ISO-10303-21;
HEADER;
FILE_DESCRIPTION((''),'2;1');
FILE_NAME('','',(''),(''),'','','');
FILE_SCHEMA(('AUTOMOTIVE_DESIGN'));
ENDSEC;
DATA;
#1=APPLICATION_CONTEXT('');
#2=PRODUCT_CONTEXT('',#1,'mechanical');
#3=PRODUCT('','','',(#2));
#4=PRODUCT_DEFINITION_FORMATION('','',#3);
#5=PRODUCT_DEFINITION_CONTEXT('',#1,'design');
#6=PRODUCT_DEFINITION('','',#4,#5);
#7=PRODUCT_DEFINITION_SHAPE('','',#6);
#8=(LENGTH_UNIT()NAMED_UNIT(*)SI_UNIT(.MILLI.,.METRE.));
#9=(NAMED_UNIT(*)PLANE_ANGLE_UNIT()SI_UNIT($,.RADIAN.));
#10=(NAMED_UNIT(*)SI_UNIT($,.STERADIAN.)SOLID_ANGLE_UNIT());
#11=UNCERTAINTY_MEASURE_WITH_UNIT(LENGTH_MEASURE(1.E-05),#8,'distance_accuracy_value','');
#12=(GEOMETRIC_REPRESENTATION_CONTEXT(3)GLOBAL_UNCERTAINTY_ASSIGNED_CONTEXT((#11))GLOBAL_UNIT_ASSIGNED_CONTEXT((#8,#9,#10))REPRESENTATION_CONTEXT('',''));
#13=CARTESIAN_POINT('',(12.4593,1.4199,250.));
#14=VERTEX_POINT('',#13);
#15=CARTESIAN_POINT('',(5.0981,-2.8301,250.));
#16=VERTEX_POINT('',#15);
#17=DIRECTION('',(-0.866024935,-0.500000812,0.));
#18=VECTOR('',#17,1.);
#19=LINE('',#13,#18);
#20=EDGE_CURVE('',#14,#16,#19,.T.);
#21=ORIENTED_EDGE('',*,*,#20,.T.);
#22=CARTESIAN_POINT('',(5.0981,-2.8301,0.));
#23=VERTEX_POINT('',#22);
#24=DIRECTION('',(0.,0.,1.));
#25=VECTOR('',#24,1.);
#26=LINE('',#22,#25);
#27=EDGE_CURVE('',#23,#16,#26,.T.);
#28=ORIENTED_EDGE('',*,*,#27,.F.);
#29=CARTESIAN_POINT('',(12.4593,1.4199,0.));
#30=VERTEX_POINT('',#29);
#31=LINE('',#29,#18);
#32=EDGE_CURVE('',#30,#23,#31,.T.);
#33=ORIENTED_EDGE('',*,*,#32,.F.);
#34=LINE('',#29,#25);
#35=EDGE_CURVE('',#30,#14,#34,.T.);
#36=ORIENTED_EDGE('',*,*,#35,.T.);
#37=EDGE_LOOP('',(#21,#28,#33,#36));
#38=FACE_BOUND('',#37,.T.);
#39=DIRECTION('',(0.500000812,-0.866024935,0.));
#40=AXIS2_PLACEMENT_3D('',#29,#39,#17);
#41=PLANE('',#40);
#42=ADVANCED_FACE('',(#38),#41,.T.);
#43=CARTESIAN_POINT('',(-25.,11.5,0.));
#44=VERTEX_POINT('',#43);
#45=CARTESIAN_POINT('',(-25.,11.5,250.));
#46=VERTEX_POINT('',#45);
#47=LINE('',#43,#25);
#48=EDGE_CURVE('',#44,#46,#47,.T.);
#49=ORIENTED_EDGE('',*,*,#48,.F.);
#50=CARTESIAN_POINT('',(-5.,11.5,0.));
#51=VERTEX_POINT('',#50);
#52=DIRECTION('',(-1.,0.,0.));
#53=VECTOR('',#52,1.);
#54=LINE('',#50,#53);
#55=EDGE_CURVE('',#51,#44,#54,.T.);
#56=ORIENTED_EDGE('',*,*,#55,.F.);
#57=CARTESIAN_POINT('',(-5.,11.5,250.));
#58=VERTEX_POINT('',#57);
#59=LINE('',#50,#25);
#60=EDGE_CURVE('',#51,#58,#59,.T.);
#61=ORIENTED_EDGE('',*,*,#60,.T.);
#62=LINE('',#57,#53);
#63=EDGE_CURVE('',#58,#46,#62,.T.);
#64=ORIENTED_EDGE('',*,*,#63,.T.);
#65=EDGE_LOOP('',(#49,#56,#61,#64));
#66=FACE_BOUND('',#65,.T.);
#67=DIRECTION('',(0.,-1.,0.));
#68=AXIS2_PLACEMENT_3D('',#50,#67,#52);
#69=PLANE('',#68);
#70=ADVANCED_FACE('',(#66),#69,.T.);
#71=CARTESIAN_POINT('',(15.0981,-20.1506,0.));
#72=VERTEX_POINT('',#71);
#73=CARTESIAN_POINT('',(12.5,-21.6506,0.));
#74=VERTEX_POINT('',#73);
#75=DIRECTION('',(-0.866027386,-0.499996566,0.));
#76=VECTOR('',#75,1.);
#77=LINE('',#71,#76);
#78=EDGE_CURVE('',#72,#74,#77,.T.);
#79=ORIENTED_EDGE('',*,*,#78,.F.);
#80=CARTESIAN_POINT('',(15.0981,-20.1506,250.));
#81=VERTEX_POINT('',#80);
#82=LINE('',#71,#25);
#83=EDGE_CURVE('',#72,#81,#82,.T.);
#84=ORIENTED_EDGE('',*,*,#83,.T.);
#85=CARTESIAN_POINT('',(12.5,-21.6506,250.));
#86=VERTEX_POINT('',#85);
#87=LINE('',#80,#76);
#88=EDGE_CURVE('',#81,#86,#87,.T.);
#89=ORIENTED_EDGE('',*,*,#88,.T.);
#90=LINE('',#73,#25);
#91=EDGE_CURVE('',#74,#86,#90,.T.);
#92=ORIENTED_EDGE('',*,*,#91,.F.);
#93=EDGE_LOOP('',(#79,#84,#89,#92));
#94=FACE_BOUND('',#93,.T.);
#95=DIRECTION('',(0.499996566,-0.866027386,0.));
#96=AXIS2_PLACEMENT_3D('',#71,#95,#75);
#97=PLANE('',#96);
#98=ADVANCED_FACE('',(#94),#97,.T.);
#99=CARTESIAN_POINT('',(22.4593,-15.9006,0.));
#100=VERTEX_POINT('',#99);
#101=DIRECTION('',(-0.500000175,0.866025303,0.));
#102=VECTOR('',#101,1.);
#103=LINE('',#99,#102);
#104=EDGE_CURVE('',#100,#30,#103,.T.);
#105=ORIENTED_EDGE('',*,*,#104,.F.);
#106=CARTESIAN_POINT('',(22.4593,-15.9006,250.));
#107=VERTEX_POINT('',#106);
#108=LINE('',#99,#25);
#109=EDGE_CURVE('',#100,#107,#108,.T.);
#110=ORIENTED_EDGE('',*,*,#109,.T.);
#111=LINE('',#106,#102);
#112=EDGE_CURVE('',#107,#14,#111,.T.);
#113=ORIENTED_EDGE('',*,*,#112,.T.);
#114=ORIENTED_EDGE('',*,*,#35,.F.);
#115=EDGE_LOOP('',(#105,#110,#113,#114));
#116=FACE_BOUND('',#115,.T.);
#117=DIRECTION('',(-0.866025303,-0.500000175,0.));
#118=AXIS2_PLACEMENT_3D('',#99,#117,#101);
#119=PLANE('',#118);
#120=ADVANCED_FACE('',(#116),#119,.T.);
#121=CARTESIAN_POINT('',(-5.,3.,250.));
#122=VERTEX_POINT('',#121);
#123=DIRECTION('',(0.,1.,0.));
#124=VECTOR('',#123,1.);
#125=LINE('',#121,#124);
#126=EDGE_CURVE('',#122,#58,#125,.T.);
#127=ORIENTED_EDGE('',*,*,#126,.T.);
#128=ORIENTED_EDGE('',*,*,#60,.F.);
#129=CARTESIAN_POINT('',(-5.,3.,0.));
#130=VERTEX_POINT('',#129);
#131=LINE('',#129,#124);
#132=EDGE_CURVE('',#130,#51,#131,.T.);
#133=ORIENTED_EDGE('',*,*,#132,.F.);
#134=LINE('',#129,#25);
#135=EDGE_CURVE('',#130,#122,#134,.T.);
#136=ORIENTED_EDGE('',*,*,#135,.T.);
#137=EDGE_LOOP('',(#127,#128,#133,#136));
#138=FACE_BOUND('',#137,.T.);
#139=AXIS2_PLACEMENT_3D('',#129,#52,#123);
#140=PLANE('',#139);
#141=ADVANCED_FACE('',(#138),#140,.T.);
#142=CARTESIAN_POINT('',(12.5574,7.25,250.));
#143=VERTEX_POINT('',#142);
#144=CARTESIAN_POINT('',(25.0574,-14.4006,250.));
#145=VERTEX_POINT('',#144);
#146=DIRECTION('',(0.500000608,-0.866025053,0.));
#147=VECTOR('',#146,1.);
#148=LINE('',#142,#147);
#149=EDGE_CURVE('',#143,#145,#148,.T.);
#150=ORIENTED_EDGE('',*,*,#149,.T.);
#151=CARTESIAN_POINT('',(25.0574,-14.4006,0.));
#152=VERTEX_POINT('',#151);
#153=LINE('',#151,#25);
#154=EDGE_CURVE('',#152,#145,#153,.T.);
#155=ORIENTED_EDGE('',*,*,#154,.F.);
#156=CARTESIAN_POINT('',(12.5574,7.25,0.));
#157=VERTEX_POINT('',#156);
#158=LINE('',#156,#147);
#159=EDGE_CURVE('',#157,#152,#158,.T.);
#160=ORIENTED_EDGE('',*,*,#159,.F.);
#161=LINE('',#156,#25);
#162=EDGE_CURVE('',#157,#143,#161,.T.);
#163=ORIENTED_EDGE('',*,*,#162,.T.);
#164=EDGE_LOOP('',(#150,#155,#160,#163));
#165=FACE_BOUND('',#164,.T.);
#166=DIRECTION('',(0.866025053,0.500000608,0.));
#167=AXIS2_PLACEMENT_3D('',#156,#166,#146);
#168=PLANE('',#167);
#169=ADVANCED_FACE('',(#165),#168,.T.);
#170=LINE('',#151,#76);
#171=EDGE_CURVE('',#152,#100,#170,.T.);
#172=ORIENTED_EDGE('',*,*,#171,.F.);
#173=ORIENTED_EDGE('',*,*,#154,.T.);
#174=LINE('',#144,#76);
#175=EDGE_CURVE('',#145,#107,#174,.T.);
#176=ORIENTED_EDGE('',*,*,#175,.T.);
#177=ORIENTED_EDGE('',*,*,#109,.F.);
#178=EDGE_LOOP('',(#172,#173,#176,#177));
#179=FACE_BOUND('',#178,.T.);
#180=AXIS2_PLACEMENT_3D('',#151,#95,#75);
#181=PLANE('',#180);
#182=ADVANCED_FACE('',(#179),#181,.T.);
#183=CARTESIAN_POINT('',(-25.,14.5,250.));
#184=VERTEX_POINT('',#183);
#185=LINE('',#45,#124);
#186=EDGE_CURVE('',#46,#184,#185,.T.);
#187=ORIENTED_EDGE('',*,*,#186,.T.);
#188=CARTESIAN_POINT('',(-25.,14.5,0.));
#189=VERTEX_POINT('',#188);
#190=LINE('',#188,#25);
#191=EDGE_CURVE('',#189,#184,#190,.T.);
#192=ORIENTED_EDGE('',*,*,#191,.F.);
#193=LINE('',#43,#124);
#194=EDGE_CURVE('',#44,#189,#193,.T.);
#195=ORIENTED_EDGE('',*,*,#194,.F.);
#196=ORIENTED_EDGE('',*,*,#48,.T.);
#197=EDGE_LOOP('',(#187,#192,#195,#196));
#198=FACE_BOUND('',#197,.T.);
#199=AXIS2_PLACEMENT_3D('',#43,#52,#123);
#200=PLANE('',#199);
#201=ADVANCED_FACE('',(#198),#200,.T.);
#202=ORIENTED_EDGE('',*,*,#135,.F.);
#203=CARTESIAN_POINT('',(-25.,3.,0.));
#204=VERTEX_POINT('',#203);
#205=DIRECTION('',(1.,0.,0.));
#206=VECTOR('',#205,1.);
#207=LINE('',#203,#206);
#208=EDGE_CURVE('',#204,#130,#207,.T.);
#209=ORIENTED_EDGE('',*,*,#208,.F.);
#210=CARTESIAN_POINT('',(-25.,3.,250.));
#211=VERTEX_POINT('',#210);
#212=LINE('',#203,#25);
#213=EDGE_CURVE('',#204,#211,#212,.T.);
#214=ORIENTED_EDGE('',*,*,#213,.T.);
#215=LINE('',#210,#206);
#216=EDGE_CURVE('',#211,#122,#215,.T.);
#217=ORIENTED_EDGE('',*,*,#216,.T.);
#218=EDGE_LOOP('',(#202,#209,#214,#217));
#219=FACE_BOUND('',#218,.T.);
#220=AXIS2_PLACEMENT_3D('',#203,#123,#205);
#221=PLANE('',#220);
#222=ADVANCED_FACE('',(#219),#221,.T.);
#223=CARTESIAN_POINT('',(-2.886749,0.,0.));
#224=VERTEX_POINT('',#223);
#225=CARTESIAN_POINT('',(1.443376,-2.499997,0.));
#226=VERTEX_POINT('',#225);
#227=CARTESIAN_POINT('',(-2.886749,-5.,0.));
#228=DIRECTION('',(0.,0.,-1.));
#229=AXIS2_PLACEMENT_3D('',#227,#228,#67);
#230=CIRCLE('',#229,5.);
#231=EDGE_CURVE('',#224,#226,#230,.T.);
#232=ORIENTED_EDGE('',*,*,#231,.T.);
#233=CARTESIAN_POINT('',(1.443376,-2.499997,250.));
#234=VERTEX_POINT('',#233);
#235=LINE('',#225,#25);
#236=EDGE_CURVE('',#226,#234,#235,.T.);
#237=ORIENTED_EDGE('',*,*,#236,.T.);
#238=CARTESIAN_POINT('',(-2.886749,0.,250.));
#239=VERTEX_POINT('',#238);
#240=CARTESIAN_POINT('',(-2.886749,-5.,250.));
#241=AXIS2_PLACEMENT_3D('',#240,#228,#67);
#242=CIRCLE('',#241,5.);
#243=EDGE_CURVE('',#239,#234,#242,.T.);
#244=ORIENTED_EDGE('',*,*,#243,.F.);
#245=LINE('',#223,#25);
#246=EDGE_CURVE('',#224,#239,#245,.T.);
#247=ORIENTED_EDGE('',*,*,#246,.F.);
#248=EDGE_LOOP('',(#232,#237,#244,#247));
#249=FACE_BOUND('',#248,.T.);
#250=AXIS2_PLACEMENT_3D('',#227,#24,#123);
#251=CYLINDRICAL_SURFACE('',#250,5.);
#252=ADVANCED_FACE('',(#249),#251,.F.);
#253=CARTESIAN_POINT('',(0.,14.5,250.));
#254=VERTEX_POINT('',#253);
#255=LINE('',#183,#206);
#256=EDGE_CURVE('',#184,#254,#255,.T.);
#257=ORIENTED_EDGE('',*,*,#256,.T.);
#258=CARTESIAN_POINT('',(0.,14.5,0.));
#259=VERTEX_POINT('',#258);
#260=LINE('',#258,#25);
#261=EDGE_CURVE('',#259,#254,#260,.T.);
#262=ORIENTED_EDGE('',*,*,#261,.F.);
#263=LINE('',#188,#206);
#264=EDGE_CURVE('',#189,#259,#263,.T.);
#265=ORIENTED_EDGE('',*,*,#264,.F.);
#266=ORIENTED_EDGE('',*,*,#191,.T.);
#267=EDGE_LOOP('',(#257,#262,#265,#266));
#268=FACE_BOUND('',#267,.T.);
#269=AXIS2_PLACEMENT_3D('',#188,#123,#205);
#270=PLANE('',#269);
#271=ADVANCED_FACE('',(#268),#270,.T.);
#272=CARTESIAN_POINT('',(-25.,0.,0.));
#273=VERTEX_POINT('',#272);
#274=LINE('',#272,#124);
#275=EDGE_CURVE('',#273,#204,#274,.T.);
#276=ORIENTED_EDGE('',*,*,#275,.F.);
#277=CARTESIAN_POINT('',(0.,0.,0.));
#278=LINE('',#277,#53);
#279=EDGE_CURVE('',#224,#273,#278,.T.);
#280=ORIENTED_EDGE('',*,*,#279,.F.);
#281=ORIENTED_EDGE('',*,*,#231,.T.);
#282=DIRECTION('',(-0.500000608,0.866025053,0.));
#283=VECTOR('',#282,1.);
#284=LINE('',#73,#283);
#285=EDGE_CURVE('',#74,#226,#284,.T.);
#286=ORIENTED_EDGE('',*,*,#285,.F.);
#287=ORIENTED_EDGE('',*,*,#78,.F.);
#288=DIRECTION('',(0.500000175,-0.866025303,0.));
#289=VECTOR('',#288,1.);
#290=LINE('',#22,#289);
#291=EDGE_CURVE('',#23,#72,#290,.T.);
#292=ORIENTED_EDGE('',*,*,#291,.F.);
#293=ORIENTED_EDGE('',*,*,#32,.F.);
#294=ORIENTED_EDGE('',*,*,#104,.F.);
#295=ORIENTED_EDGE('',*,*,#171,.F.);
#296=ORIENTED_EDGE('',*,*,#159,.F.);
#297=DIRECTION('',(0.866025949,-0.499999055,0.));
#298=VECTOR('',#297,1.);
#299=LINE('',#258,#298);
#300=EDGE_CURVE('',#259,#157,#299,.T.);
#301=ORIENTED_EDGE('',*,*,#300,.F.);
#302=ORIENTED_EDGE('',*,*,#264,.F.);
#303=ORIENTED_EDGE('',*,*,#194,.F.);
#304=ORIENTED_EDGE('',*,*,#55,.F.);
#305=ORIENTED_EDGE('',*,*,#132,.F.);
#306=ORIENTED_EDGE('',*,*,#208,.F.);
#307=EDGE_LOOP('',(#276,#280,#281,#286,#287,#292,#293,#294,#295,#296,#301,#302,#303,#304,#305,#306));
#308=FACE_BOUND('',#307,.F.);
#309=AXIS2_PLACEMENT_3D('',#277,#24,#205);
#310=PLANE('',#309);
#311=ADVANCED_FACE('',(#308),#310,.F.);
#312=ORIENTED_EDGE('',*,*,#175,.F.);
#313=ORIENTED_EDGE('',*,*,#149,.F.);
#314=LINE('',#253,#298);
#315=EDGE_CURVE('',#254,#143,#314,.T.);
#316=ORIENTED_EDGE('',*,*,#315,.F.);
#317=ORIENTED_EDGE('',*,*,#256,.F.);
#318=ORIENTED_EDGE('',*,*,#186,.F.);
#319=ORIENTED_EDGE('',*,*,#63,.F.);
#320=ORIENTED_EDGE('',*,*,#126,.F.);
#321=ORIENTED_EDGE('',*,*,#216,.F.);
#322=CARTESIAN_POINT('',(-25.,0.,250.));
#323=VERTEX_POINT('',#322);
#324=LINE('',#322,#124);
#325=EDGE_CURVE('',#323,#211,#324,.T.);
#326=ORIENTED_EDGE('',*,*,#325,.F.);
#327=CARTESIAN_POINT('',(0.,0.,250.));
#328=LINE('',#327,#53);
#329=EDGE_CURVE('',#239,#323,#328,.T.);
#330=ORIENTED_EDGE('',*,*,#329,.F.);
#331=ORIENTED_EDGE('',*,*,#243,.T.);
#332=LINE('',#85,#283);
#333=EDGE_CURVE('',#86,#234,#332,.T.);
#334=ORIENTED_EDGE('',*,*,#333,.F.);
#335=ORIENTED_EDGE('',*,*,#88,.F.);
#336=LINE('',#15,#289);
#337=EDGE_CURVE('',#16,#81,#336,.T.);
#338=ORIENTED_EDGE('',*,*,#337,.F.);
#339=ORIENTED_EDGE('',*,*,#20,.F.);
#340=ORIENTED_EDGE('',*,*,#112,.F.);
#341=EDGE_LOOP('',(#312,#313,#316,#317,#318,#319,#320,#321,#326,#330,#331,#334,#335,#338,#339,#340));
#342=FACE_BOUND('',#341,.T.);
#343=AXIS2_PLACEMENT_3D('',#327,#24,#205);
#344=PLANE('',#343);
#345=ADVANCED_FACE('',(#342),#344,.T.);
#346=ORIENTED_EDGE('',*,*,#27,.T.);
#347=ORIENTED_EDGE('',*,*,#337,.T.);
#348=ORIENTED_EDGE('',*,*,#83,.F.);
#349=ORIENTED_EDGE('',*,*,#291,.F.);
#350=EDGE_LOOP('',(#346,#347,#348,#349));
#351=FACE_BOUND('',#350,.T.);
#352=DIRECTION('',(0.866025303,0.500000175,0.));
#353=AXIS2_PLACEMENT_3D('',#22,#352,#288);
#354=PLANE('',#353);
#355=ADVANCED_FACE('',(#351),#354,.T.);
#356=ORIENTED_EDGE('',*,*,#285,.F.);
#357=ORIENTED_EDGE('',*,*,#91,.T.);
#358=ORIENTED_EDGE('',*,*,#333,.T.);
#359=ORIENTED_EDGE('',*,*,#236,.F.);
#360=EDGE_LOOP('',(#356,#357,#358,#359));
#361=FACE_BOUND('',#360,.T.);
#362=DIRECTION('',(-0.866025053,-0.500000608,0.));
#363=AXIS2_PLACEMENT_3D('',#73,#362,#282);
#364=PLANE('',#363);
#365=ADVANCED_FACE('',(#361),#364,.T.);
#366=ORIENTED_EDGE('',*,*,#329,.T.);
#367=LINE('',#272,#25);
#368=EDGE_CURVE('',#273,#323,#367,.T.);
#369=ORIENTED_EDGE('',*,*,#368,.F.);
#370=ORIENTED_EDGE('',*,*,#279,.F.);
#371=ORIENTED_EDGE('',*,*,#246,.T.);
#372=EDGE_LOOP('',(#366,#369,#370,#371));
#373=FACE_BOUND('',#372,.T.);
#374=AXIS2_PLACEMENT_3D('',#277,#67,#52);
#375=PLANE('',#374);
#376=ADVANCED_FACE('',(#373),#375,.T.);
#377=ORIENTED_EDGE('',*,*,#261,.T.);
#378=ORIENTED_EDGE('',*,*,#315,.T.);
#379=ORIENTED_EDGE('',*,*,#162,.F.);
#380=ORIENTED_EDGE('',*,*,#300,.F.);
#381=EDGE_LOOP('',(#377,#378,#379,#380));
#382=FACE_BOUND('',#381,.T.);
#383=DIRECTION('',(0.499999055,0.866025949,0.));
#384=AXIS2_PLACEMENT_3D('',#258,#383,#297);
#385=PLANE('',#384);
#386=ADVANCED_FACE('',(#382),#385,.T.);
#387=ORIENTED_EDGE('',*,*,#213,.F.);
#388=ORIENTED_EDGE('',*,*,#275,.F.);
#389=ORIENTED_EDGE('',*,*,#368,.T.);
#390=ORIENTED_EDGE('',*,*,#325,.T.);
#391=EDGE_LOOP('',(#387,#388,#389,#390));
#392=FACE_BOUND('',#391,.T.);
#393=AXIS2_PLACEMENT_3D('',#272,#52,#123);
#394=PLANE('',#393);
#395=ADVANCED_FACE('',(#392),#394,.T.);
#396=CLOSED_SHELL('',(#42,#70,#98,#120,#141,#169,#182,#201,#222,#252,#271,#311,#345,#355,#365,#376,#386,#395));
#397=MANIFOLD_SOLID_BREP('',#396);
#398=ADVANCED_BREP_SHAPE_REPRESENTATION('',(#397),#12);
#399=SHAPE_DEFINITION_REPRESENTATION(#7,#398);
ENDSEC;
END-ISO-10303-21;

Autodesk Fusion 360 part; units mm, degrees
sketch "Schizzo1" plane through (0, 0, 0) normal (0, 0, 1) x (1, 0, 0)
  line L0 (0, 0) -> (-25, 0)
  line L1 (-25, 0) -> (-25, 3)
  line L2 (-25, 3) -> (-5, 3)
  line L3 (-5, 3) -> (-5, 11.5)
  line L4 (-5, 11.5) -> (-25, 11.5)
  line L5 (-25, 11.5) -> (-25, 14.5)
  line L6 (-25, 14.5) -> (0, 14.5)
  line L7 (0, 14.5) -> (0, 0)
  line L8 (12.5574, 7.25) -> (25.0574, -14.4006)
  line L9 (12.4593, 1.4199) -> (5.0981, -2.8301)
  line L10 (0, 0) -> (12.5574, 7.25)
  line L11 (12.5, -21.6506) -> (0, 0)
  line L12 (5.0981, -2.8301) -> (15.0981, -20.1506)
  line L13 (25.0574, -14.4006) -> (22.4593, -15.9006)
  line L14 (15.0981, -20.1506) -> (12.5, -21.6506)
  line L15 (22.4593, -15.9006) -> (12.4593, 1.4199)
  line L16 (0, 14.5) -> (12.5574, 7.25)
  point P0 (12.5574, 7.25)
  dimension "d2" = 8.5
  dimension "d3" = 3
  dimension "d4" = 3
  dimension "d5" = 25
  dimension "d6" = 25
  dimension "d7" = 20
  dimension "d8" = 8.5
  dimension "d9" = 3
  dimension "d10" = 3
  dimension "d11" = 25
  dimension "d12" = 25
  dimension "d13" = 20
  dimension "d16" = 60
extrude "Estrusione1" add sketch "Schizzo1" along normal blind 250
fillet "Raccordo1" radius 5 1 edges at (0, 0, 125)
